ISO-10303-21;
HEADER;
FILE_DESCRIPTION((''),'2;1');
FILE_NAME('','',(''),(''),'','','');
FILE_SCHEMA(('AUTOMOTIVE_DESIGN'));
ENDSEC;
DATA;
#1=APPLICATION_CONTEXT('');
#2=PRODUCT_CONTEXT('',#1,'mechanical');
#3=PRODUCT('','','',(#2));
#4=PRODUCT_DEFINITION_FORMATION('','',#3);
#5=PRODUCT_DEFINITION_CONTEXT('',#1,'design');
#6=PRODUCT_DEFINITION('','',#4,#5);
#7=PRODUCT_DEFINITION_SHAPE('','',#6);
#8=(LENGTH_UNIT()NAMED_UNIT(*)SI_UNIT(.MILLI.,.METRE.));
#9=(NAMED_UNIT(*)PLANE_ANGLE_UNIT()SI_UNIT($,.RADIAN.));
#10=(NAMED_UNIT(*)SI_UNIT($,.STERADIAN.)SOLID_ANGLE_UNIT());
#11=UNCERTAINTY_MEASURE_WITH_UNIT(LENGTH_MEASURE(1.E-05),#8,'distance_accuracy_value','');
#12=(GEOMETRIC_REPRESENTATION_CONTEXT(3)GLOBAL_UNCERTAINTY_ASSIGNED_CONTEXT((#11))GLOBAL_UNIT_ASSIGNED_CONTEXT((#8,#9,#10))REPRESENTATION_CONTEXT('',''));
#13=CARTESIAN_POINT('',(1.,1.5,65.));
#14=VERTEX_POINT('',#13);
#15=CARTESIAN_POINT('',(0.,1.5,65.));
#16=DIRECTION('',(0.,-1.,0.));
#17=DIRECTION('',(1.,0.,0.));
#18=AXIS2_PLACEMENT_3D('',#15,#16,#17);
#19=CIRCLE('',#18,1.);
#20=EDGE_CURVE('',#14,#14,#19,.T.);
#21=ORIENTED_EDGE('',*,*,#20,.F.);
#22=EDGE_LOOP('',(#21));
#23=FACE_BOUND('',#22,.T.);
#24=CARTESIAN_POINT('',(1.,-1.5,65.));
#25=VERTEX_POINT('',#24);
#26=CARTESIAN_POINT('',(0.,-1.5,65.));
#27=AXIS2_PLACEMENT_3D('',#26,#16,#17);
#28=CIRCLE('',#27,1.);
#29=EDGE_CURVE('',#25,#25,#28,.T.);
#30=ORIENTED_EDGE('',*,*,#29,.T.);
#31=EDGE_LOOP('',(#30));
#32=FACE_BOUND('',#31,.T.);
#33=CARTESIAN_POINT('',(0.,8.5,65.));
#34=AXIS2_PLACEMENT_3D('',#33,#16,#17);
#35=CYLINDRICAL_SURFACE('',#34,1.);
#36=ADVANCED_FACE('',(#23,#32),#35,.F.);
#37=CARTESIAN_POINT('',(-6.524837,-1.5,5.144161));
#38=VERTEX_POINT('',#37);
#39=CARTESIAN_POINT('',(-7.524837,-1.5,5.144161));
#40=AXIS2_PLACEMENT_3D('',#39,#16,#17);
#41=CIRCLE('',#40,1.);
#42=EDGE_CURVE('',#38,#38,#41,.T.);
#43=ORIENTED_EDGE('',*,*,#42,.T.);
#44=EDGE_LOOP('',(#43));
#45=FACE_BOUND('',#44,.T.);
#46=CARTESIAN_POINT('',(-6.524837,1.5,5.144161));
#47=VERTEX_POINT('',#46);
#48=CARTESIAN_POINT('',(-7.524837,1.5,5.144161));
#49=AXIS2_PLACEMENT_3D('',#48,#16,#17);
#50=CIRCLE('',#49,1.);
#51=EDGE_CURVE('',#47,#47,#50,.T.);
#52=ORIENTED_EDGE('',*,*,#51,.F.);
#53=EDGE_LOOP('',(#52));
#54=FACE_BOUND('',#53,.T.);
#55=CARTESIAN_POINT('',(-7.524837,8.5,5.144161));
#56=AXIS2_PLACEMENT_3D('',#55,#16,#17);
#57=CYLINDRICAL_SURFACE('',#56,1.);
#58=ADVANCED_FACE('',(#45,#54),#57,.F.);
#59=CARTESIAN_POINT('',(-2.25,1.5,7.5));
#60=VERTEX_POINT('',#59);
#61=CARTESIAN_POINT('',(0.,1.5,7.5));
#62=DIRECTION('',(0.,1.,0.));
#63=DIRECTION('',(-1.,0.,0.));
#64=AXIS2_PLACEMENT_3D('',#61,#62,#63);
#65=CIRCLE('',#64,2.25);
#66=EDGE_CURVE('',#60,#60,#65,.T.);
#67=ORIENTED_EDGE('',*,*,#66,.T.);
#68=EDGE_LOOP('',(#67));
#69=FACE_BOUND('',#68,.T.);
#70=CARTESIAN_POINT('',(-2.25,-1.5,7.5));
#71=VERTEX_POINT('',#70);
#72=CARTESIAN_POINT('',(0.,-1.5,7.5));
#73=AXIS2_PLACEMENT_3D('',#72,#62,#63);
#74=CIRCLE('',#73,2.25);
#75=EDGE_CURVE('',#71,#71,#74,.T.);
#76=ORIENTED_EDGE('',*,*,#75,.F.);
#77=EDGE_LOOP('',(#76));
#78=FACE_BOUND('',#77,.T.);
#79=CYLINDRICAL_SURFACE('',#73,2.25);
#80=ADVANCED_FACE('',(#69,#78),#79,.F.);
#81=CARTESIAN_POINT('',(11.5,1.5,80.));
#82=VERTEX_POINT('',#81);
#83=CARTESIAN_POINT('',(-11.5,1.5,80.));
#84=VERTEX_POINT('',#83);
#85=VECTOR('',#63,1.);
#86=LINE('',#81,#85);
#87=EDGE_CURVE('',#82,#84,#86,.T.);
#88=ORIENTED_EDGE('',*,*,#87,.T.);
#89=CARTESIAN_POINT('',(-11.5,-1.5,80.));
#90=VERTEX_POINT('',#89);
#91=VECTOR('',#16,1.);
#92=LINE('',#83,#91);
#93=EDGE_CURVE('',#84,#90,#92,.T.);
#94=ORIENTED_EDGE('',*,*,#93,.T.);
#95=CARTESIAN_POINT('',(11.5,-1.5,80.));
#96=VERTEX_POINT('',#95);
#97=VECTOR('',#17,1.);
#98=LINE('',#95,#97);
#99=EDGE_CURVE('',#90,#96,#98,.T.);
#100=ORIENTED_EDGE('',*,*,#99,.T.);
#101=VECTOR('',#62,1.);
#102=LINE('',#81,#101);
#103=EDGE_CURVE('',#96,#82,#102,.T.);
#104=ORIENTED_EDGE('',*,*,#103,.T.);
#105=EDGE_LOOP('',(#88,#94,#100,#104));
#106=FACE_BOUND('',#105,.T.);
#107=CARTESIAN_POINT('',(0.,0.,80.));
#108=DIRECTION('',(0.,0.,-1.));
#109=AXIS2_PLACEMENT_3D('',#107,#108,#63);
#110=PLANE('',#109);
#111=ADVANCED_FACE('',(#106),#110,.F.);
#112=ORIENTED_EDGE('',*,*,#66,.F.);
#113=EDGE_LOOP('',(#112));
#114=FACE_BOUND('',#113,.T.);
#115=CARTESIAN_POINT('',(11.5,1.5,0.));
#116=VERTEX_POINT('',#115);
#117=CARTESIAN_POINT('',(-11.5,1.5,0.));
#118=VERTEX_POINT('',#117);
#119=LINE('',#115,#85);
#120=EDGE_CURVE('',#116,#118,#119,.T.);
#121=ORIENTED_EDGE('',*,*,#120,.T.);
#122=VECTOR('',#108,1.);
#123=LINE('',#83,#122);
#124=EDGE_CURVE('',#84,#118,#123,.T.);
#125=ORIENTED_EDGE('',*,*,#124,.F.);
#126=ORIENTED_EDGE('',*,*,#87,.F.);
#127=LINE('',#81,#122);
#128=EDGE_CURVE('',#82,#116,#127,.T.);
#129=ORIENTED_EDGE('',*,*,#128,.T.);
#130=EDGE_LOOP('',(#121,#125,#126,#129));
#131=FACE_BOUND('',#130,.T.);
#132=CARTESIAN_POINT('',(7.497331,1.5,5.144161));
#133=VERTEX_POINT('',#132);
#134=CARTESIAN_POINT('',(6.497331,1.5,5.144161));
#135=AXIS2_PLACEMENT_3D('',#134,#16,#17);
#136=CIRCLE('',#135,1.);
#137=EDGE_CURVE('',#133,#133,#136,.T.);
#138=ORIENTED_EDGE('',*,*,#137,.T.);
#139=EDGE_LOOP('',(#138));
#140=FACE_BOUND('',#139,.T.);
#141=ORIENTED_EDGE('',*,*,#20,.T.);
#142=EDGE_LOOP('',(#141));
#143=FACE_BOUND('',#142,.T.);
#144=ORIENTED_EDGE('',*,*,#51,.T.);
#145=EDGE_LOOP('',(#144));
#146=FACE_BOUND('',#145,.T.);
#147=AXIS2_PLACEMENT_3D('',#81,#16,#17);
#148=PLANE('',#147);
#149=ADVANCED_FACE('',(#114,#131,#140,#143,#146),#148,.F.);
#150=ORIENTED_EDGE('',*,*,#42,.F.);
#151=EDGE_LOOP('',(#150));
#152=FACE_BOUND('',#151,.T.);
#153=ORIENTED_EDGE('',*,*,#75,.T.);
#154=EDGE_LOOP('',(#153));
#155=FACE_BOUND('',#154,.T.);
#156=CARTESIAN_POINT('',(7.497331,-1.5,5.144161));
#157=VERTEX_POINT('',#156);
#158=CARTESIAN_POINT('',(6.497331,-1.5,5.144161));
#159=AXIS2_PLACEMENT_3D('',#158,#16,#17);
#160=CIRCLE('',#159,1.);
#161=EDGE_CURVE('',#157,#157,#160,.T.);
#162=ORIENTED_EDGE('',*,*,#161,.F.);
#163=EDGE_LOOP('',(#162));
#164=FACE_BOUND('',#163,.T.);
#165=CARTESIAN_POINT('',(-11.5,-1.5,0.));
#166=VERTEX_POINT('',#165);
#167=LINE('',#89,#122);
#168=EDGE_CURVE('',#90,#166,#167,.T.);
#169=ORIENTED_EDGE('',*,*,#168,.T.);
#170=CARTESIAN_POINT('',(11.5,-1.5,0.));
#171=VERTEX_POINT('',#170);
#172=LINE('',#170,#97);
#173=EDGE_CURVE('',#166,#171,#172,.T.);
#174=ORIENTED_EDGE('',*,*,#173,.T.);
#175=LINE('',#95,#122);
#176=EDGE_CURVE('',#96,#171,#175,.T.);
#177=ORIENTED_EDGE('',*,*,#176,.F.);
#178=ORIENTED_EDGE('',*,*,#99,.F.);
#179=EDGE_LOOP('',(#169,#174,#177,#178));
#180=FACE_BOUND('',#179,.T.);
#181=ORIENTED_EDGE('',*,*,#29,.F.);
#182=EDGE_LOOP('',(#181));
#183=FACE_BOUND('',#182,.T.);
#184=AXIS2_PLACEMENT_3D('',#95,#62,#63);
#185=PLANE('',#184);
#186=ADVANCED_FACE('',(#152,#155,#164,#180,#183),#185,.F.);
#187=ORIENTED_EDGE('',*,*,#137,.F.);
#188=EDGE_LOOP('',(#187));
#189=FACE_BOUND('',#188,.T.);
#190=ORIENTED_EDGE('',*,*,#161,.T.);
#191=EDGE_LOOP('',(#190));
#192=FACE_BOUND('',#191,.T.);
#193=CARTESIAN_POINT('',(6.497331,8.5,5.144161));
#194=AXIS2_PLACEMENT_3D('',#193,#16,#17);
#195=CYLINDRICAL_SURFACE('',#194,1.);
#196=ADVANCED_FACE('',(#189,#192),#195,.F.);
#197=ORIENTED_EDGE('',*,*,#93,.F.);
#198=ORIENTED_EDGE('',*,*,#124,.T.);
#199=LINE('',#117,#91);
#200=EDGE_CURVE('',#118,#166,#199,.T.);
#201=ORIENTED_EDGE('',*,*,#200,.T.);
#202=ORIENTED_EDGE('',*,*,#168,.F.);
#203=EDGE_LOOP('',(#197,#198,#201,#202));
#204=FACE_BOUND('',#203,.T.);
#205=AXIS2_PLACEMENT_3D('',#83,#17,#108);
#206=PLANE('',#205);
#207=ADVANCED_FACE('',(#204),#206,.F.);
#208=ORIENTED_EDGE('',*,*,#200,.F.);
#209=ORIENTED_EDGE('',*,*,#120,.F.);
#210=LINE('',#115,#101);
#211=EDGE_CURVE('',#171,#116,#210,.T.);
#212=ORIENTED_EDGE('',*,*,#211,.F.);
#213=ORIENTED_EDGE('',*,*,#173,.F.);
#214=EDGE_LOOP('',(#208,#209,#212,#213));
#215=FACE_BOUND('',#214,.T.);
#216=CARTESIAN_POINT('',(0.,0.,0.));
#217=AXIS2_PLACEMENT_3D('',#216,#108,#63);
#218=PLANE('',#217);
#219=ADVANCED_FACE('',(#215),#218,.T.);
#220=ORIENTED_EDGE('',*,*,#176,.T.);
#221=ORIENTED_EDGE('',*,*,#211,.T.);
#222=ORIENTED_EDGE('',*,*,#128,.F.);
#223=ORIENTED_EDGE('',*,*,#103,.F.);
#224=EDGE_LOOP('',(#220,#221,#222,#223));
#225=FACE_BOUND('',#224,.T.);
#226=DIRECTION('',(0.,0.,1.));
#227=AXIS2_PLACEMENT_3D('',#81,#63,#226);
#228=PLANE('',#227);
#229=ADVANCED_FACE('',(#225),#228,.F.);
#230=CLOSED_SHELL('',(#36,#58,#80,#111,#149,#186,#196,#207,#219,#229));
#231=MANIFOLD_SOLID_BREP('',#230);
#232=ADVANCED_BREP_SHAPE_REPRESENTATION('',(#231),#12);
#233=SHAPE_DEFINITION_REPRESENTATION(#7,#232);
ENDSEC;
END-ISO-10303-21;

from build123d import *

# Parameters (mm, degrees)
ESQUISSE1_W             = 23
ESQUISSE1_H             = 3
BOSS_EXTRU_1_DEPTH      = 80
ESQUISSE3_R             = 1
ENL_V_MAT_EXTRU_2_DEPTH = 10
ESQUISSE4_R             = 1
ENL_V_MAT_EXTRU_3_DEPTH = 10
ESQUISSE5_R             = 2.25
ENL_V_MAT_EXTRU_4_DEPTH = 81.877994535


with BuildPart() as part:
    # Esquisse1 → Boss.-Extru.1 (new body)
    with BuildSketch(Plane.XY):
        Rectangle(ESQUISSE1_W, ESQUISSE1_H)
    extrude(amount=BOSS_EXTRU_1_DEPTH)

    # Esquisse3 → Enlèv. mat.-Extru.2 (cut)
    with BuildSketch(Plane.XZ.offset(1.5)):
        with Locations((0, 65)):
            Circle(ESQUISSE3_R)
    extrude(amount=-ENL_V_MAT_EXTRU_2_DEPTH, mode=Mode.SUBTRACT)

    # Esquisse4 → Enlèv. mat.-Extru.3 (cut)
    with BuildSketch(Plane(origin=(0, -1.5, 0), x_dir=(-1, 0, 0), z_dir=(0, -1, 0))):
        with Locations(Location((-6.497330661, -5.144161138, 0), (0, 0, 180))):
            Circle(ESQUISSE4_R)
        with Locations(Location((7.524836603, -5.144161138, 0), (0, 0, 180))):
            Circle(ESQUISSE4_R)
    extrude(amount=-ENL_V_MAT_EXTRU_3_DEPTH, mode=Mode.SUBTRACT)

    # Esquisse5 → Enlèv. mat.-Extru.4 (cut, through all)
    with BuildSketch(Plane(origin=(0, 1.5, 0), x_dir=(1, 0, 0), z_dir=(0, 1, 0))):
        with Locations(Location((0, -7.5, 0), (0, 0, 180))):
            Circle(ESQUISSE5_R)
    extrude(amount=-ENL_V_MAT_EXTRU_4_DEPTH, mode=Mode.SUBTRACT)


solid = part.part
